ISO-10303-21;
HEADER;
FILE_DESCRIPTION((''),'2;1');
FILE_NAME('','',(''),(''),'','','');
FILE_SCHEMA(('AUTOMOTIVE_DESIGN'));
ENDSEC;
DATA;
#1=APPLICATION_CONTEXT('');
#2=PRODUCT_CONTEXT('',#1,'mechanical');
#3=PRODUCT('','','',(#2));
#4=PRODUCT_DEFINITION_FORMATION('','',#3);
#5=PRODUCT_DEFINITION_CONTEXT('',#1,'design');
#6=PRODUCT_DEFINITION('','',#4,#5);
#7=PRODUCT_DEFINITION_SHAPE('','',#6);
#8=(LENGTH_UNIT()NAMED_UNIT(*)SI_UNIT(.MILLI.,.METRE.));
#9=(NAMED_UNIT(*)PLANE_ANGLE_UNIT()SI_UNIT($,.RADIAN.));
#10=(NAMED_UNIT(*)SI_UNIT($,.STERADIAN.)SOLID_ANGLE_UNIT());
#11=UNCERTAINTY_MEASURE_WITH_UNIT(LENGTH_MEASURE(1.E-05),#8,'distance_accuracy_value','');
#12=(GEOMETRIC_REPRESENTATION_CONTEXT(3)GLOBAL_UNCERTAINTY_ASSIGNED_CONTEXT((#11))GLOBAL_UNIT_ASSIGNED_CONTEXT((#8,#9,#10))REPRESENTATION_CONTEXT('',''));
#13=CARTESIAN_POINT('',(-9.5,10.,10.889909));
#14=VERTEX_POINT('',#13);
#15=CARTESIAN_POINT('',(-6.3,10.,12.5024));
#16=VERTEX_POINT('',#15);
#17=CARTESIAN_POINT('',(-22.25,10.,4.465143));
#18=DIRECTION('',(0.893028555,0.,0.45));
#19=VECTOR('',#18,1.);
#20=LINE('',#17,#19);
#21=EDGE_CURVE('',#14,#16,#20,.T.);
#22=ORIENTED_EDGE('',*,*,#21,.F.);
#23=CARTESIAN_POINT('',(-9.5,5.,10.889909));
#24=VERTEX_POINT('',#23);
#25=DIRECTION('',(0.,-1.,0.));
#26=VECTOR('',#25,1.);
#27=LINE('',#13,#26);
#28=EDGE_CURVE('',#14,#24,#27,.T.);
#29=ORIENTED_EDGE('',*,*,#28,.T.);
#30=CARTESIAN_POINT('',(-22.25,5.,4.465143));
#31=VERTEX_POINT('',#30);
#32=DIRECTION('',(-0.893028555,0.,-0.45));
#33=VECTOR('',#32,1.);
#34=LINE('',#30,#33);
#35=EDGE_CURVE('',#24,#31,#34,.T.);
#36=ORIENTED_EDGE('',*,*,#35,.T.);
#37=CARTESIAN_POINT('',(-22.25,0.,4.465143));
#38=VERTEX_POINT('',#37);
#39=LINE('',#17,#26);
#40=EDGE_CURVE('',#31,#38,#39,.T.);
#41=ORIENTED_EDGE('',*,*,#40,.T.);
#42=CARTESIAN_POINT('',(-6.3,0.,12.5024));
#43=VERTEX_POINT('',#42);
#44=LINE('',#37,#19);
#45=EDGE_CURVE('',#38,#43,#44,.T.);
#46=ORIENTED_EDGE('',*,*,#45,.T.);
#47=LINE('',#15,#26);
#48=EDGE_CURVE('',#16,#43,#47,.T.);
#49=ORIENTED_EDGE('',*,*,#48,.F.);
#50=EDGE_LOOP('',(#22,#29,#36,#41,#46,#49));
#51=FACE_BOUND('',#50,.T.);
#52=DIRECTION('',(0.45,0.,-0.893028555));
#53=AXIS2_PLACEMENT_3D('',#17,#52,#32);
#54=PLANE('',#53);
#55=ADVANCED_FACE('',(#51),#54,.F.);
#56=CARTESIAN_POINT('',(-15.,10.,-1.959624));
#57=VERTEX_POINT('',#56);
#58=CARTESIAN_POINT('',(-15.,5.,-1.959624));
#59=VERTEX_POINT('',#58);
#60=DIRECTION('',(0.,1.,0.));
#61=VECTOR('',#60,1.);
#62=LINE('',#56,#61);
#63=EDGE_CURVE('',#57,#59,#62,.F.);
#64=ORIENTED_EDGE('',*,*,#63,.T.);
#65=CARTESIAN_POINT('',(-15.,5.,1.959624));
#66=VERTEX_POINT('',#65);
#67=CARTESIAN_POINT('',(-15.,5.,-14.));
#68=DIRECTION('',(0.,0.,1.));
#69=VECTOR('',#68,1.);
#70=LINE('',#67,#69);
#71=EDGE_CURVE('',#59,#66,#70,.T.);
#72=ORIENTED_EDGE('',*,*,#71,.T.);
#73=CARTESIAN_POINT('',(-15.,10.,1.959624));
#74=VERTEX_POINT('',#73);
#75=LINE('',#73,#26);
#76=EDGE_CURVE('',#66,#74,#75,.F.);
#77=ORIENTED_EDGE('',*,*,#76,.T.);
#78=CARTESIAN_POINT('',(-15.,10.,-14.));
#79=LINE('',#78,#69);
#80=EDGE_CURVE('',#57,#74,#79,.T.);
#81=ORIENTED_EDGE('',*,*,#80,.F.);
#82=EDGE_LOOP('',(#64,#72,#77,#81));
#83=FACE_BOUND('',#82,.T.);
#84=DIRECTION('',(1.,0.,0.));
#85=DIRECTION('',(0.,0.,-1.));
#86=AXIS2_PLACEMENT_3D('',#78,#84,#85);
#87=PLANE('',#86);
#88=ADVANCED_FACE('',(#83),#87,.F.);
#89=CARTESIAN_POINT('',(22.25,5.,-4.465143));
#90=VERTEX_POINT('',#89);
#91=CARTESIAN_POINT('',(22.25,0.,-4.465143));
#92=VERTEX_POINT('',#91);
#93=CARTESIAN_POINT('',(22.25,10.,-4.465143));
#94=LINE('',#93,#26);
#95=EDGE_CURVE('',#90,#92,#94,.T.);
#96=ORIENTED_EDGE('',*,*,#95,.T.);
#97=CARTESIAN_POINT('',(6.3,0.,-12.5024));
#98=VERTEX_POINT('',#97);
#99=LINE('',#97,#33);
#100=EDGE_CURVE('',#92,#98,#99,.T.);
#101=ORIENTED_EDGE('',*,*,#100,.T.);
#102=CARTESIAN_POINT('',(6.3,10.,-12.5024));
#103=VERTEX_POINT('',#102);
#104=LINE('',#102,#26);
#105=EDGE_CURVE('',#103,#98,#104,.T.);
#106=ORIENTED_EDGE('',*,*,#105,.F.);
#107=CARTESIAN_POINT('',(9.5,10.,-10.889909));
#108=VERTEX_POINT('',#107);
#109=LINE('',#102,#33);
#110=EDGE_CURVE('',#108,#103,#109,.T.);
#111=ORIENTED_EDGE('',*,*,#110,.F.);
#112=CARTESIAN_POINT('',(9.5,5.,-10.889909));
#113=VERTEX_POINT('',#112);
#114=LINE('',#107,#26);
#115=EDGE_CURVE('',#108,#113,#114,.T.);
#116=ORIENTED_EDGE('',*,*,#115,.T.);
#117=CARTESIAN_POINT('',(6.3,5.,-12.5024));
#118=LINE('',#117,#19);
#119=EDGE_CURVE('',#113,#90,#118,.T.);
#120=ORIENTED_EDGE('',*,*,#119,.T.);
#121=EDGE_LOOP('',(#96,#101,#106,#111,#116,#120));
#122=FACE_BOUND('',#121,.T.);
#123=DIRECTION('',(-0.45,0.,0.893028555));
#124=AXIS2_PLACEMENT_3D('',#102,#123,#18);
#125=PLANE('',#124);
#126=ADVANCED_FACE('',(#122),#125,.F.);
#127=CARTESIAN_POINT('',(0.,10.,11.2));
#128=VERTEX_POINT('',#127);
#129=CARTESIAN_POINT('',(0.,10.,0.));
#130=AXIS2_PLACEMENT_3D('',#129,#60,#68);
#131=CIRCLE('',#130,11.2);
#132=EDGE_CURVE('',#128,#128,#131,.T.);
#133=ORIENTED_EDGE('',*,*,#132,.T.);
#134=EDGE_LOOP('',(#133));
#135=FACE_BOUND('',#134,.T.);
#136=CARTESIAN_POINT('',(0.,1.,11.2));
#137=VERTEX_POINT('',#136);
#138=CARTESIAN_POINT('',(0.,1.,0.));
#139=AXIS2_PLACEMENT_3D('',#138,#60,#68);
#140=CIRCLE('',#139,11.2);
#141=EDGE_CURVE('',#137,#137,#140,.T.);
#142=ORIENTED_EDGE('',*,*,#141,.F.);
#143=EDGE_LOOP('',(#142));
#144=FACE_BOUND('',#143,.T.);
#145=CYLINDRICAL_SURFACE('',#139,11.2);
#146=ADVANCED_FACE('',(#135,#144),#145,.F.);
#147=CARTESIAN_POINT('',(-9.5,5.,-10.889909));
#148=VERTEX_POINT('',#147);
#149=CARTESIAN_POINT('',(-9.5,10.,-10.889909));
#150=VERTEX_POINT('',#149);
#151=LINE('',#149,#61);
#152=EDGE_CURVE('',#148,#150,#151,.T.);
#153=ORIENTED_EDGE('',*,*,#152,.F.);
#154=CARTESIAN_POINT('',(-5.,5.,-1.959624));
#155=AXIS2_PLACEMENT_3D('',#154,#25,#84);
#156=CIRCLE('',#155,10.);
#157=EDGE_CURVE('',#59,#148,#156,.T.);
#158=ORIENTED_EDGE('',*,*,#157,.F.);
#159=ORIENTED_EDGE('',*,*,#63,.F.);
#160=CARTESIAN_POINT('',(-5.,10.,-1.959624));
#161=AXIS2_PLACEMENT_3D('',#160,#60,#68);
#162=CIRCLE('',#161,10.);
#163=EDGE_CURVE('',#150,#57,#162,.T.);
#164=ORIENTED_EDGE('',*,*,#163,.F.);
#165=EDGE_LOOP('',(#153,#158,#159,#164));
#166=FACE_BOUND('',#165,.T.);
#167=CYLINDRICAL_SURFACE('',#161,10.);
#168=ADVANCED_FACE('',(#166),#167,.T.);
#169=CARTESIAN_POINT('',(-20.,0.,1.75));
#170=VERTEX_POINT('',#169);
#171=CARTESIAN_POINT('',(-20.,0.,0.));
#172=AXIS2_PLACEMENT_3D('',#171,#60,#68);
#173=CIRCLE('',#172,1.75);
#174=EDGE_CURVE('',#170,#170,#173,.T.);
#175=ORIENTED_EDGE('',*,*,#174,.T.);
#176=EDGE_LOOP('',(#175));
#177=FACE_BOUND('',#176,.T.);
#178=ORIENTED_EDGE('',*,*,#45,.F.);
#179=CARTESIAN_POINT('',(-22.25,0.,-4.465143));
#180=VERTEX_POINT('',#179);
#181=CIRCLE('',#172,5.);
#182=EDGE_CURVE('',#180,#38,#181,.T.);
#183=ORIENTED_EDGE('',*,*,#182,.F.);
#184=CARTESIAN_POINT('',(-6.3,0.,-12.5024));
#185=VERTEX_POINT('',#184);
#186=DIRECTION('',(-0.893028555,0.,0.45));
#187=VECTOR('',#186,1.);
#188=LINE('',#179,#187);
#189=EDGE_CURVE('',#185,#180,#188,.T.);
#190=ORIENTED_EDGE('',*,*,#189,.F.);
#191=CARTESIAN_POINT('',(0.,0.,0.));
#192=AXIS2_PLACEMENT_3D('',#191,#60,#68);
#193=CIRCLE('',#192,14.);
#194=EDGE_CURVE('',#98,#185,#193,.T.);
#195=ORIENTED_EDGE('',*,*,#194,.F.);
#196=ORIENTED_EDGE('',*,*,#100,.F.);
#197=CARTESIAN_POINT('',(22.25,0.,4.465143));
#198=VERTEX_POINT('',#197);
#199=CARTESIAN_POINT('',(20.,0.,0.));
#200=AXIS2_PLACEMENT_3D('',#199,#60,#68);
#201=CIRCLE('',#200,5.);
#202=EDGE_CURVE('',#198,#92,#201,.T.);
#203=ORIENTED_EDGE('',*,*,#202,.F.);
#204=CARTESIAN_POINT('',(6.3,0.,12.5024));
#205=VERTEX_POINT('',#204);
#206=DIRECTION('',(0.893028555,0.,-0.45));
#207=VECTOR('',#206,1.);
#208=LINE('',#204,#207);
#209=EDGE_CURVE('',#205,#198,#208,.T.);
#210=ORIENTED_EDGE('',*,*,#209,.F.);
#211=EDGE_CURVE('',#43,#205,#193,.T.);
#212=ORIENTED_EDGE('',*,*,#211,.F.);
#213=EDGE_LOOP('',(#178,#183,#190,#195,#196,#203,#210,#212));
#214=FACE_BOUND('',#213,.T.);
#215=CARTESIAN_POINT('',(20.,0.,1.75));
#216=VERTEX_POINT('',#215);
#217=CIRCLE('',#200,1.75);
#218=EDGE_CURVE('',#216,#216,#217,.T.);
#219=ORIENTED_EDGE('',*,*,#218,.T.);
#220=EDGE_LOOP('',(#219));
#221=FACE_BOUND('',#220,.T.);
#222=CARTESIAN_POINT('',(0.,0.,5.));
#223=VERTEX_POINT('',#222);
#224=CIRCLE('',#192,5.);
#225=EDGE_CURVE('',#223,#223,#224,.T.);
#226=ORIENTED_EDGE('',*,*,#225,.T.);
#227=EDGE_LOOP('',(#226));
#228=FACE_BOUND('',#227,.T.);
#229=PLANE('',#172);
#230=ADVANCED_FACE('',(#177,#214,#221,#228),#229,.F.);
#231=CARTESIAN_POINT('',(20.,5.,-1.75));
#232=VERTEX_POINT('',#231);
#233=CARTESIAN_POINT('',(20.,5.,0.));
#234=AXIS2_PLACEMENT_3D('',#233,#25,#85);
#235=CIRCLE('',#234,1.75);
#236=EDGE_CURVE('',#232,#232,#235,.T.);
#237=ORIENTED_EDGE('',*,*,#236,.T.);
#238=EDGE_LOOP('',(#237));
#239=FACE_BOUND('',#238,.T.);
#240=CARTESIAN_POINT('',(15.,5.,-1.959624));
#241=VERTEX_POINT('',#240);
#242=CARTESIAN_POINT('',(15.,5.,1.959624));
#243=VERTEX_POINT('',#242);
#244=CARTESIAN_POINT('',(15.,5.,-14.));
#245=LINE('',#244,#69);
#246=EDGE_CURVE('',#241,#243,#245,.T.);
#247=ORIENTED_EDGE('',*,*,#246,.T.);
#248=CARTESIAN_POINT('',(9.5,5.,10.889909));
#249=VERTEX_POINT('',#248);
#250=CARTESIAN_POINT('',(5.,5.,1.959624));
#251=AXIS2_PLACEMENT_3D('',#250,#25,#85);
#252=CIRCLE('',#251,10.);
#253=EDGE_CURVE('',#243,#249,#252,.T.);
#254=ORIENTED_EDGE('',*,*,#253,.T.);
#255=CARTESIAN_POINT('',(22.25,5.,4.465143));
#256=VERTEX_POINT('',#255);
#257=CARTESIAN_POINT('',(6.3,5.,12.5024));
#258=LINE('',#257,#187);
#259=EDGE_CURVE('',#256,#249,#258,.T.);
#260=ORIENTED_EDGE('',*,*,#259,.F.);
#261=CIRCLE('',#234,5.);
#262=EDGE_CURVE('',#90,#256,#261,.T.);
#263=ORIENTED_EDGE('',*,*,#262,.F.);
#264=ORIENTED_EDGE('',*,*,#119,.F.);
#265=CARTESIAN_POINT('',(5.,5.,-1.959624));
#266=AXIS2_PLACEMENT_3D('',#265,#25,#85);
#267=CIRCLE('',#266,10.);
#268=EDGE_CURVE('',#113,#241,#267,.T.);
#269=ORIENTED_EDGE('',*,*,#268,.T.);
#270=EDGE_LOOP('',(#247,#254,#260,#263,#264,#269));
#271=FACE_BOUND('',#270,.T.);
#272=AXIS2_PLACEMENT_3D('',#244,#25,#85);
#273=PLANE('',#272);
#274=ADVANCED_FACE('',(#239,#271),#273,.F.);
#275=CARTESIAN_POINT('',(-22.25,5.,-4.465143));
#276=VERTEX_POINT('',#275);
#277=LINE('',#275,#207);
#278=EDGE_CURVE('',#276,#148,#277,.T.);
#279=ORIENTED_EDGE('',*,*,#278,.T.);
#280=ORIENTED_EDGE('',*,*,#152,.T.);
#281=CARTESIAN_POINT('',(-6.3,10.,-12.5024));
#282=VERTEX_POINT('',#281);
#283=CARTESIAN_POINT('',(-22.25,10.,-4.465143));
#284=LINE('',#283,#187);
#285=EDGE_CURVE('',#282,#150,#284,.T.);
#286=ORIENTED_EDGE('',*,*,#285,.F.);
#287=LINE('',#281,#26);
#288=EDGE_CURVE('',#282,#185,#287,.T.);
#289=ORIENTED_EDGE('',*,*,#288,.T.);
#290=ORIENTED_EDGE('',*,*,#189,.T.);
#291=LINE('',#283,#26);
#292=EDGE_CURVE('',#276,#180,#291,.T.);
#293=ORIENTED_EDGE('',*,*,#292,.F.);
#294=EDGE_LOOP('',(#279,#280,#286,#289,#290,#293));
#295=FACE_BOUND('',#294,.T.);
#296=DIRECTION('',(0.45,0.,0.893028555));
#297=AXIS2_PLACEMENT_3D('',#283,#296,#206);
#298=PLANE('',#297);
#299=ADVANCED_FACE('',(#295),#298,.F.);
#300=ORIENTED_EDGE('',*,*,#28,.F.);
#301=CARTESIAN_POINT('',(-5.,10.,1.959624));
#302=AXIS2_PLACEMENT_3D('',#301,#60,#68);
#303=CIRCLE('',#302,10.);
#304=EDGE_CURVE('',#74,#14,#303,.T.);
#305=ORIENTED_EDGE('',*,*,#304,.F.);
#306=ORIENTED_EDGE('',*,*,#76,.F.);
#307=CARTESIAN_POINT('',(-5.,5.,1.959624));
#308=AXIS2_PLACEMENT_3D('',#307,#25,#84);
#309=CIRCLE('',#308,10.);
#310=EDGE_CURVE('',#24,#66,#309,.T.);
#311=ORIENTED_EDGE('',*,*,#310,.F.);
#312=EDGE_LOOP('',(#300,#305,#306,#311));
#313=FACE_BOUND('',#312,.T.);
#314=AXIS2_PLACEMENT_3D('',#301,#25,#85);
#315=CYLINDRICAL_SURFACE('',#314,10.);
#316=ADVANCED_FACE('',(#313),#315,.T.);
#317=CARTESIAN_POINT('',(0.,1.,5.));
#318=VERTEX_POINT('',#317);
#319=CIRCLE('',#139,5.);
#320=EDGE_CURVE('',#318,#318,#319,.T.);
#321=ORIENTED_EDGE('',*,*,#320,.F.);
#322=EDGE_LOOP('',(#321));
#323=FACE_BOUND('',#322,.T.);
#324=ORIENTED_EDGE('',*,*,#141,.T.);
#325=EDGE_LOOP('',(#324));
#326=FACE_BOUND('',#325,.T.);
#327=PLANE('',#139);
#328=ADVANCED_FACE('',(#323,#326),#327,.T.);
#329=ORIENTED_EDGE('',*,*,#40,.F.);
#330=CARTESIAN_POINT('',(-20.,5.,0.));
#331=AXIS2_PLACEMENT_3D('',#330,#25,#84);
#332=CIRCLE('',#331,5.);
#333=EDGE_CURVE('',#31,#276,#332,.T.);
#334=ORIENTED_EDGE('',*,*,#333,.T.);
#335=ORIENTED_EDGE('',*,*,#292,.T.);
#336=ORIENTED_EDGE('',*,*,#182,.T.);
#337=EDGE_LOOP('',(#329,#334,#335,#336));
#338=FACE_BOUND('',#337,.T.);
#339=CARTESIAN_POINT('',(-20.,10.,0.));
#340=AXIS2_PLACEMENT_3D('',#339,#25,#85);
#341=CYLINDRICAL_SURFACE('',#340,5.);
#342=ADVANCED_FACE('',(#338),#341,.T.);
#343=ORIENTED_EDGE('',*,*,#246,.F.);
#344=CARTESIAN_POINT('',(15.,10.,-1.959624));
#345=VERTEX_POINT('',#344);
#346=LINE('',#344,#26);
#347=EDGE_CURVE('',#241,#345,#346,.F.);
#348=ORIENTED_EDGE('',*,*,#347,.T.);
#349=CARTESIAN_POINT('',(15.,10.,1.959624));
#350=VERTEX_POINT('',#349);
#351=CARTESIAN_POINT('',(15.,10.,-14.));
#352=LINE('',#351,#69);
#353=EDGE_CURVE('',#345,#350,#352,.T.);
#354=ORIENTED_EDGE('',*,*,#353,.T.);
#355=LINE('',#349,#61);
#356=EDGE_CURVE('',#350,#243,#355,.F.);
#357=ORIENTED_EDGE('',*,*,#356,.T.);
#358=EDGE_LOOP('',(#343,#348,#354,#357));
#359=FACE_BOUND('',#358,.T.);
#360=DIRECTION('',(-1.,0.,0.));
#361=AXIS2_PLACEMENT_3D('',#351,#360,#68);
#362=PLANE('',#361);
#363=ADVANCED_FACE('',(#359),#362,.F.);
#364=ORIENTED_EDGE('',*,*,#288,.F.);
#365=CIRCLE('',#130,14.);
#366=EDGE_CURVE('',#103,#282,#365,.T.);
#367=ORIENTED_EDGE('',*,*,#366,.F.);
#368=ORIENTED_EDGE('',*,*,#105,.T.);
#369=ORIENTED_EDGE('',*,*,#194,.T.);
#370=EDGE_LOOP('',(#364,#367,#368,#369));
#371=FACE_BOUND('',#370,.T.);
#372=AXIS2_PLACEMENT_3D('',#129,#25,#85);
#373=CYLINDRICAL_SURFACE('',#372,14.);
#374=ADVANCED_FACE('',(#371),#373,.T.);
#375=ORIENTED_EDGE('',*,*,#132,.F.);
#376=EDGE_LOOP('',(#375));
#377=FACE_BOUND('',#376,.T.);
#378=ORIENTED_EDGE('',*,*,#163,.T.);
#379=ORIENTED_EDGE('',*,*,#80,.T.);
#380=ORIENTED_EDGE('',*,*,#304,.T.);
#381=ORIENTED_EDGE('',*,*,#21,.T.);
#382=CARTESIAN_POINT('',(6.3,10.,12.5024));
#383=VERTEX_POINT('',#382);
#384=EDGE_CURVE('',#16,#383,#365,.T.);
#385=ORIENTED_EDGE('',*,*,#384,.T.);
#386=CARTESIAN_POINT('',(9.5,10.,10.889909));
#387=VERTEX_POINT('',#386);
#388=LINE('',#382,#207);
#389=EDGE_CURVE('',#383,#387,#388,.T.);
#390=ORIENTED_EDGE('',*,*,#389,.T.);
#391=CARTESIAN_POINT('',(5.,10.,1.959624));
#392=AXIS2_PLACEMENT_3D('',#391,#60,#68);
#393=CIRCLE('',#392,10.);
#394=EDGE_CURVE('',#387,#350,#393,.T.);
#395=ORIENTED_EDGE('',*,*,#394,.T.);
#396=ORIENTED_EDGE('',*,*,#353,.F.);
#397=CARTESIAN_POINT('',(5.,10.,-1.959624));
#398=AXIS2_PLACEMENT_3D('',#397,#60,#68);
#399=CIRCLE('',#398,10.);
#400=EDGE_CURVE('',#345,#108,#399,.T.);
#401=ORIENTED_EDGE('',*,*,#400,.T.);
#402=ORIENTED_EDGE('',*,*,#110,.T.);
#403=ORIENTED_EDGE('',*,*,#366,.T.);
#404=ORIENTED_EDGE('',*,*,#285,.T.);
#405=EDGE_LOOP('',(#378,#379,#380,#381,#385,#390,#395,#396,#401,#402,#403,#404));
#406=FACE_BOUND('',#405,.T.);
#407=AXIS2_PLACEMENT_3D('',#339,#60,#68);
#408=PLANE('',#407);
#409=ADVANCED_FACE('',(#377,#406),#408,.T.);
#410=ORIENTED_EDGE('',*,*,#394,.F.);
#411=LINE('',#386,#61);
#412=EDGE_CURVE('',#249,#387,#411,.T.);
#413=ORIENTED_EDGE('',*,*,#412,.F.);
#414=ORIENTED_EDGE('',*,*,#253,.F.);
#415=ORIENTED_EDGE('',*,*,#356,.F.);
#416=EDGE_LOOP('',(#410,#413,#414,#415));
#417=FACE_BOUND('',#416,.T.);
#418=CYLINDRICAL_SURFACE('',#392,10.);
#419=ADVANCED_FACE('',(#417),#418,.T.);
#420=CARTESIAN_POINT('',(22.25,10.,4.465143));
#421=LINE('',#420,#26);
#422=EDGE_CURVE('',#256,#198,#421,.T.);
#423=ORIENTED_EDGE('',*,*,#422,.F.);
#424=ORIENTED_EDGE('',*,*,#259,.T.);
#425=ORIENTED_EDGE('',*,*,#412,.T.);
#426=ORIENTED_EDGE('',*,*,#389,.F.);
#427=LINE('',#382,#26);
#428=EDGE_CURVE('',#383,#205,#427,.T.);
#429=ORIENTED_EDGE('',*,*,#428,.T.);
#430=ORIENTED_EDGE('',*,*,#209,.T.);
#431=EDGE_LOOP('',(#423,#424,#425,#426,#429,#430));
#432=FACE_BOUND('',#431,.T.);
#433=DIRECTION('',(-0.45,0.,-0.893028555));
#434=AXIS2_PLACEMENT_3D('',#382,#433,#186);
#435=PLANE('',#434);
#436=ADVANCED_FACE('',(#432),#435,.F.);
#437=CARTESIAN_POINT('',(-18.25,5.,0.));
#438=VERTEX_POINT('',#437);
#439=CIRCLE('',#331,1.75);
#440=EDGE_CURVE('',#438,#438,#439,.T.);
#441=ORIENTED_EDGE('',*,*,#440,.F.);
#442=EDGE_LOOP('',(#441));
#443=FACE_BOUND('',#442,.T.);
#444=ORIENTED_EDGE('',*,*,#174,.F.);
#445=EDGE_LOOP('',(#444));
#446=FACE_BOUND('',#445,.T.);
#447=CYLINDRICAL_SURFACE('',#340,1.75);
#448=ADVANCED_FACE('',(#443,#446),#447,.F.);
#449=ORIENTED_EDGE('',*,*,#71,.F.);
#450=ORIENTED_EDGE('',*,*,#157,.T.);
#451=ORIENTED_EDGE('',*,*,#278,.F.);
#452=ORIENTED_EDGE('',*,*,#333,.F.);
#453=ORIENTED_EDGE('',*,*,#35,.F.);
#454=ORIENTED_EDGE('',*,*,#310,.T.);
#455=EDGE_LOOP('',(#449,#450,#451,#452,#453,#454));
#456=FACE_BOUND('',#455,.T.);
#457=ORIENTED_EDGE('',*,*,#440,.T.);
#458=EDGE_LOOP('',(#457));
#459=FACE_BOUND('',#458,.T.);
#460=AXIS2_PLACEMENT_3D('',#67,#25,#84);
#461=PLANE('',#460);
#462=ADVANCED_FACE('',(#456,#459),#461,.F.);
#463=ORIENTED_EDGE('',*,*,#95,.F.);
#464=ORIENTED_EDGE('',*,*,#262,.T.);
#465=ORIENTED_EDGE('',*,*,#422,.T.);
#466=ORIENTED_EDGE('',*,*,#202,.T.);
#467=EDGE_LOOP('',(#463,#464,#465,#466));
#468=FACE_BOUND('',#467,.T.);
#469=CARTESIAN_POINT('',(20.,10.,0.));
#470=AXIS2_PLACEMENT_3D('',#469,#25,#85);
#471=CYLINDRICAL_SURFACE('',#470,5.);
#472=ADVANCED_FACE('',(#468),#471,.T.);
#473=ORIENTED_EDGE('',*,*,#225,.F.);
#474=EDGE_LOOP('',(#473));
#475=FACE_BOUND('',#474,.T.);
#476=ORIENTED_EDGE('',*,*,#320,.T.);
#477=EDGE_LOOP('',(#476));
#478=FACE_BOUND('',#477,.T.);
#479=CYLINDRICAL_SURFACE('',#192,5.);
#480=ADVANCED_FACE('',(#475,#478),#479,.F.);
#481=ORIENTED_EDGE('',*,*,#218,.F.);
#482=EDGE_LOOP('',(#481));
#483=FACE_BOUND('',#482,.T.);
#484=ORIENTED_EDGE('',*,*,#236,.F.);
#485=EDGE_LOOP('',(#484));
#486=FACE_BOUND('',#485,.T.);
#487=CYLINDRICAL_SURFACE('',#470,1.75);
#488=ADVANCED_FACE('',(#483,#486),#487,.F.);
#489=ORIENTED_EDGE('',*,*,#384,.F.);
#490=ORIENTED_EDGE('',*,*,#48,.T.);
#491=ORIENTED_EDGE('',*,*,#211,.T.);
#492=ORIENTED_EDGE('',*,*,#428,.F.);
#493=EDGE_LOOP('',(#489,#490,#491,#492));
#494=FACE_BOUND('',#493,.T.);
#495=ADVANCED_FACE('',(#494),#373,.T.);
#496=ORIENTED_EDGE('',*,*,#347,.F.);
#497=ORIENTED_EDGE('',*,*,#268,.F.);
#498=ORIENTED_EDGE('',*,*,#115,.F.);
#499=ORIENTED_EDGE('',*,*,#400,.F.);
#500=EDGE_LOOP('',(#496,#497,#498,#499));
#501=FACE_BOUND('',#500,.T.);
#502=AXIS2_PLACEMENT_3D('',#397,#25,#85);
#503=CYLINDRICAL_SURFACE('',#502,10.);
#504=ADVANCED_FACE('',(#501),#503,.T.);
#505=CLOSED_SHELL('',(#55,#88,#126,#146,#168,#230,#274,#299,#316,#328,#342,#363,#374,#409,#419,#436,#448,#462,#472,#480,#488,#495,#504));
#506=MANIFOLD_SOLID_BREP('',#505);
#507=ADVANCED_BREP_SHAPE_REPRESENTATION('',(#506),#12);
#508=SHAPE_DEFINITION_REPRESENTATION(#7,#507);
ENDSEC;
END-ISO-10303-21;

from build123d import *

# Parameters (mm, degrees)
SKETCH2_R               = 1.75
BOSS_EXTRUDE1_DEPTH     = 10
SKETCH3_R               = 11.2
CUT_EXTRUDE1_DEPTH      = 9
SKETCH4_W               = 10
SKETCH4_H               = 5
CUT_EXTRUDE2_DEPTH      = 15
CUT_EXTRUDE2_DEPTH_BACK = 15
FILLET1_R               = 10
SKETCH5_R               = 5
CUT_EXTRUDE3_DEPTH      = 10
CUT_EXTRUDE3_DEPTH_BACK = 2


with BuildPart() as part:
    # Sketch2 → Boss-Extrude1 (new body)
    with BuildSketch(Plane(origin=(0, 0, 0), x_dir=(1, 0, 0), z_dir=(0, 1, 0))):
        with BuildLine():
            Line((-22.25, 4.465142775), (-6.3, 12.50239977))
            ThreePointArc((-6.3, 12.50239977), (0, 14), (6.3, 12.50239977))
            Line((6.3, 12.50239977), (22.25, 4.465142775))
            ThreePointArc((22.25, 4.465142775), (25, 0), (22.25, -4.465142775))
            Line((22.25, -4.465142775), (6.3, -12.50239977))
            ThreePointArc((6.3, -12.50239977), (0, -14), (-6.3, -12.50239977))
            Line((-6.3, -12.50239977), (-22.25, -4.465142775))
            ThreePointArc((-22.25, -4.465142775), (-25, 0), (-22.25, 4.465142775))
        make_face()
        with Locations((-20, 0)):
            Circle(SKETCH2_R, mode=Mode.SUBTRACT)
        with Locations((20, 0)):
            Circle(SKETCH2_R, mode=Mode.SUBTRACT)
    extrude(amount=BOSS_EXTRUDE1_DEPTH)

    # Sketch3 → Cut-Extrude1 (cut)
    with BuildSketch(Plane(origin=(0, 10, 0), x_dir=(1, 0, 0), z_dir=(0, 1, 0))):
        Circle(SKETCH3_R)
    extrude(amount=-CUT_EXTRUDE1_DEPTH, mode=Mode.SUBTRACT)

    # Sketch4 → Cut-Extrude2 (cut, two sides)
    with BuildSketch(Plane.XY) as cut_extrude2_sk:
        with Locations((-20, 7.5)):
            Rectangle(SKETCH4_W, SKETCH4_H)
        with Locations((20, 7.5)):
            Rectangle(SKETCH4_W, SKETCH4_H)
    extrude(amount=CUT_EXTRUDE2_DEPTH, mode=Mode.SUBTRACT)
    extrude(cut_extrude2_sk.sketch, amount=-CUT_EXTRUDE2_DEPTH_BACK, mode=Mode.SUBTRACT)

    # Fillet1
    fillet1_edges = [part.edges().sort_by_distance(p)[0] for p in [
        (-15, 7.5, -8.118441409),
        (15, 7.5, -8.118441409),
        (-15, 7.5, 8.118441409),
        (15, 7.5, 8.118441409),
    ]]
    fillet(fillet1_edges, radius=FILLET1_R)

    # Sketch5 → Cut-Extrude3 (cut, two sides)
    with BuildSketch(Plane(origin=(0, 1, 0), x_dir=(1, 0, 0), z_dir=(0, 1, 0))) as cut_extrude3_sk:
        Circle(SKETCH5_R)
    extrude(amount=CUT_EXTRUDE3_DEPTH, mode=Mode.SUBTRACT)
    extrude(cut_extrude3_sk.sketch, amount=-CUT_EXTRUDE3_DEPTH_BACK, mode=Mode.SUBTRACT)


solid = part.part
